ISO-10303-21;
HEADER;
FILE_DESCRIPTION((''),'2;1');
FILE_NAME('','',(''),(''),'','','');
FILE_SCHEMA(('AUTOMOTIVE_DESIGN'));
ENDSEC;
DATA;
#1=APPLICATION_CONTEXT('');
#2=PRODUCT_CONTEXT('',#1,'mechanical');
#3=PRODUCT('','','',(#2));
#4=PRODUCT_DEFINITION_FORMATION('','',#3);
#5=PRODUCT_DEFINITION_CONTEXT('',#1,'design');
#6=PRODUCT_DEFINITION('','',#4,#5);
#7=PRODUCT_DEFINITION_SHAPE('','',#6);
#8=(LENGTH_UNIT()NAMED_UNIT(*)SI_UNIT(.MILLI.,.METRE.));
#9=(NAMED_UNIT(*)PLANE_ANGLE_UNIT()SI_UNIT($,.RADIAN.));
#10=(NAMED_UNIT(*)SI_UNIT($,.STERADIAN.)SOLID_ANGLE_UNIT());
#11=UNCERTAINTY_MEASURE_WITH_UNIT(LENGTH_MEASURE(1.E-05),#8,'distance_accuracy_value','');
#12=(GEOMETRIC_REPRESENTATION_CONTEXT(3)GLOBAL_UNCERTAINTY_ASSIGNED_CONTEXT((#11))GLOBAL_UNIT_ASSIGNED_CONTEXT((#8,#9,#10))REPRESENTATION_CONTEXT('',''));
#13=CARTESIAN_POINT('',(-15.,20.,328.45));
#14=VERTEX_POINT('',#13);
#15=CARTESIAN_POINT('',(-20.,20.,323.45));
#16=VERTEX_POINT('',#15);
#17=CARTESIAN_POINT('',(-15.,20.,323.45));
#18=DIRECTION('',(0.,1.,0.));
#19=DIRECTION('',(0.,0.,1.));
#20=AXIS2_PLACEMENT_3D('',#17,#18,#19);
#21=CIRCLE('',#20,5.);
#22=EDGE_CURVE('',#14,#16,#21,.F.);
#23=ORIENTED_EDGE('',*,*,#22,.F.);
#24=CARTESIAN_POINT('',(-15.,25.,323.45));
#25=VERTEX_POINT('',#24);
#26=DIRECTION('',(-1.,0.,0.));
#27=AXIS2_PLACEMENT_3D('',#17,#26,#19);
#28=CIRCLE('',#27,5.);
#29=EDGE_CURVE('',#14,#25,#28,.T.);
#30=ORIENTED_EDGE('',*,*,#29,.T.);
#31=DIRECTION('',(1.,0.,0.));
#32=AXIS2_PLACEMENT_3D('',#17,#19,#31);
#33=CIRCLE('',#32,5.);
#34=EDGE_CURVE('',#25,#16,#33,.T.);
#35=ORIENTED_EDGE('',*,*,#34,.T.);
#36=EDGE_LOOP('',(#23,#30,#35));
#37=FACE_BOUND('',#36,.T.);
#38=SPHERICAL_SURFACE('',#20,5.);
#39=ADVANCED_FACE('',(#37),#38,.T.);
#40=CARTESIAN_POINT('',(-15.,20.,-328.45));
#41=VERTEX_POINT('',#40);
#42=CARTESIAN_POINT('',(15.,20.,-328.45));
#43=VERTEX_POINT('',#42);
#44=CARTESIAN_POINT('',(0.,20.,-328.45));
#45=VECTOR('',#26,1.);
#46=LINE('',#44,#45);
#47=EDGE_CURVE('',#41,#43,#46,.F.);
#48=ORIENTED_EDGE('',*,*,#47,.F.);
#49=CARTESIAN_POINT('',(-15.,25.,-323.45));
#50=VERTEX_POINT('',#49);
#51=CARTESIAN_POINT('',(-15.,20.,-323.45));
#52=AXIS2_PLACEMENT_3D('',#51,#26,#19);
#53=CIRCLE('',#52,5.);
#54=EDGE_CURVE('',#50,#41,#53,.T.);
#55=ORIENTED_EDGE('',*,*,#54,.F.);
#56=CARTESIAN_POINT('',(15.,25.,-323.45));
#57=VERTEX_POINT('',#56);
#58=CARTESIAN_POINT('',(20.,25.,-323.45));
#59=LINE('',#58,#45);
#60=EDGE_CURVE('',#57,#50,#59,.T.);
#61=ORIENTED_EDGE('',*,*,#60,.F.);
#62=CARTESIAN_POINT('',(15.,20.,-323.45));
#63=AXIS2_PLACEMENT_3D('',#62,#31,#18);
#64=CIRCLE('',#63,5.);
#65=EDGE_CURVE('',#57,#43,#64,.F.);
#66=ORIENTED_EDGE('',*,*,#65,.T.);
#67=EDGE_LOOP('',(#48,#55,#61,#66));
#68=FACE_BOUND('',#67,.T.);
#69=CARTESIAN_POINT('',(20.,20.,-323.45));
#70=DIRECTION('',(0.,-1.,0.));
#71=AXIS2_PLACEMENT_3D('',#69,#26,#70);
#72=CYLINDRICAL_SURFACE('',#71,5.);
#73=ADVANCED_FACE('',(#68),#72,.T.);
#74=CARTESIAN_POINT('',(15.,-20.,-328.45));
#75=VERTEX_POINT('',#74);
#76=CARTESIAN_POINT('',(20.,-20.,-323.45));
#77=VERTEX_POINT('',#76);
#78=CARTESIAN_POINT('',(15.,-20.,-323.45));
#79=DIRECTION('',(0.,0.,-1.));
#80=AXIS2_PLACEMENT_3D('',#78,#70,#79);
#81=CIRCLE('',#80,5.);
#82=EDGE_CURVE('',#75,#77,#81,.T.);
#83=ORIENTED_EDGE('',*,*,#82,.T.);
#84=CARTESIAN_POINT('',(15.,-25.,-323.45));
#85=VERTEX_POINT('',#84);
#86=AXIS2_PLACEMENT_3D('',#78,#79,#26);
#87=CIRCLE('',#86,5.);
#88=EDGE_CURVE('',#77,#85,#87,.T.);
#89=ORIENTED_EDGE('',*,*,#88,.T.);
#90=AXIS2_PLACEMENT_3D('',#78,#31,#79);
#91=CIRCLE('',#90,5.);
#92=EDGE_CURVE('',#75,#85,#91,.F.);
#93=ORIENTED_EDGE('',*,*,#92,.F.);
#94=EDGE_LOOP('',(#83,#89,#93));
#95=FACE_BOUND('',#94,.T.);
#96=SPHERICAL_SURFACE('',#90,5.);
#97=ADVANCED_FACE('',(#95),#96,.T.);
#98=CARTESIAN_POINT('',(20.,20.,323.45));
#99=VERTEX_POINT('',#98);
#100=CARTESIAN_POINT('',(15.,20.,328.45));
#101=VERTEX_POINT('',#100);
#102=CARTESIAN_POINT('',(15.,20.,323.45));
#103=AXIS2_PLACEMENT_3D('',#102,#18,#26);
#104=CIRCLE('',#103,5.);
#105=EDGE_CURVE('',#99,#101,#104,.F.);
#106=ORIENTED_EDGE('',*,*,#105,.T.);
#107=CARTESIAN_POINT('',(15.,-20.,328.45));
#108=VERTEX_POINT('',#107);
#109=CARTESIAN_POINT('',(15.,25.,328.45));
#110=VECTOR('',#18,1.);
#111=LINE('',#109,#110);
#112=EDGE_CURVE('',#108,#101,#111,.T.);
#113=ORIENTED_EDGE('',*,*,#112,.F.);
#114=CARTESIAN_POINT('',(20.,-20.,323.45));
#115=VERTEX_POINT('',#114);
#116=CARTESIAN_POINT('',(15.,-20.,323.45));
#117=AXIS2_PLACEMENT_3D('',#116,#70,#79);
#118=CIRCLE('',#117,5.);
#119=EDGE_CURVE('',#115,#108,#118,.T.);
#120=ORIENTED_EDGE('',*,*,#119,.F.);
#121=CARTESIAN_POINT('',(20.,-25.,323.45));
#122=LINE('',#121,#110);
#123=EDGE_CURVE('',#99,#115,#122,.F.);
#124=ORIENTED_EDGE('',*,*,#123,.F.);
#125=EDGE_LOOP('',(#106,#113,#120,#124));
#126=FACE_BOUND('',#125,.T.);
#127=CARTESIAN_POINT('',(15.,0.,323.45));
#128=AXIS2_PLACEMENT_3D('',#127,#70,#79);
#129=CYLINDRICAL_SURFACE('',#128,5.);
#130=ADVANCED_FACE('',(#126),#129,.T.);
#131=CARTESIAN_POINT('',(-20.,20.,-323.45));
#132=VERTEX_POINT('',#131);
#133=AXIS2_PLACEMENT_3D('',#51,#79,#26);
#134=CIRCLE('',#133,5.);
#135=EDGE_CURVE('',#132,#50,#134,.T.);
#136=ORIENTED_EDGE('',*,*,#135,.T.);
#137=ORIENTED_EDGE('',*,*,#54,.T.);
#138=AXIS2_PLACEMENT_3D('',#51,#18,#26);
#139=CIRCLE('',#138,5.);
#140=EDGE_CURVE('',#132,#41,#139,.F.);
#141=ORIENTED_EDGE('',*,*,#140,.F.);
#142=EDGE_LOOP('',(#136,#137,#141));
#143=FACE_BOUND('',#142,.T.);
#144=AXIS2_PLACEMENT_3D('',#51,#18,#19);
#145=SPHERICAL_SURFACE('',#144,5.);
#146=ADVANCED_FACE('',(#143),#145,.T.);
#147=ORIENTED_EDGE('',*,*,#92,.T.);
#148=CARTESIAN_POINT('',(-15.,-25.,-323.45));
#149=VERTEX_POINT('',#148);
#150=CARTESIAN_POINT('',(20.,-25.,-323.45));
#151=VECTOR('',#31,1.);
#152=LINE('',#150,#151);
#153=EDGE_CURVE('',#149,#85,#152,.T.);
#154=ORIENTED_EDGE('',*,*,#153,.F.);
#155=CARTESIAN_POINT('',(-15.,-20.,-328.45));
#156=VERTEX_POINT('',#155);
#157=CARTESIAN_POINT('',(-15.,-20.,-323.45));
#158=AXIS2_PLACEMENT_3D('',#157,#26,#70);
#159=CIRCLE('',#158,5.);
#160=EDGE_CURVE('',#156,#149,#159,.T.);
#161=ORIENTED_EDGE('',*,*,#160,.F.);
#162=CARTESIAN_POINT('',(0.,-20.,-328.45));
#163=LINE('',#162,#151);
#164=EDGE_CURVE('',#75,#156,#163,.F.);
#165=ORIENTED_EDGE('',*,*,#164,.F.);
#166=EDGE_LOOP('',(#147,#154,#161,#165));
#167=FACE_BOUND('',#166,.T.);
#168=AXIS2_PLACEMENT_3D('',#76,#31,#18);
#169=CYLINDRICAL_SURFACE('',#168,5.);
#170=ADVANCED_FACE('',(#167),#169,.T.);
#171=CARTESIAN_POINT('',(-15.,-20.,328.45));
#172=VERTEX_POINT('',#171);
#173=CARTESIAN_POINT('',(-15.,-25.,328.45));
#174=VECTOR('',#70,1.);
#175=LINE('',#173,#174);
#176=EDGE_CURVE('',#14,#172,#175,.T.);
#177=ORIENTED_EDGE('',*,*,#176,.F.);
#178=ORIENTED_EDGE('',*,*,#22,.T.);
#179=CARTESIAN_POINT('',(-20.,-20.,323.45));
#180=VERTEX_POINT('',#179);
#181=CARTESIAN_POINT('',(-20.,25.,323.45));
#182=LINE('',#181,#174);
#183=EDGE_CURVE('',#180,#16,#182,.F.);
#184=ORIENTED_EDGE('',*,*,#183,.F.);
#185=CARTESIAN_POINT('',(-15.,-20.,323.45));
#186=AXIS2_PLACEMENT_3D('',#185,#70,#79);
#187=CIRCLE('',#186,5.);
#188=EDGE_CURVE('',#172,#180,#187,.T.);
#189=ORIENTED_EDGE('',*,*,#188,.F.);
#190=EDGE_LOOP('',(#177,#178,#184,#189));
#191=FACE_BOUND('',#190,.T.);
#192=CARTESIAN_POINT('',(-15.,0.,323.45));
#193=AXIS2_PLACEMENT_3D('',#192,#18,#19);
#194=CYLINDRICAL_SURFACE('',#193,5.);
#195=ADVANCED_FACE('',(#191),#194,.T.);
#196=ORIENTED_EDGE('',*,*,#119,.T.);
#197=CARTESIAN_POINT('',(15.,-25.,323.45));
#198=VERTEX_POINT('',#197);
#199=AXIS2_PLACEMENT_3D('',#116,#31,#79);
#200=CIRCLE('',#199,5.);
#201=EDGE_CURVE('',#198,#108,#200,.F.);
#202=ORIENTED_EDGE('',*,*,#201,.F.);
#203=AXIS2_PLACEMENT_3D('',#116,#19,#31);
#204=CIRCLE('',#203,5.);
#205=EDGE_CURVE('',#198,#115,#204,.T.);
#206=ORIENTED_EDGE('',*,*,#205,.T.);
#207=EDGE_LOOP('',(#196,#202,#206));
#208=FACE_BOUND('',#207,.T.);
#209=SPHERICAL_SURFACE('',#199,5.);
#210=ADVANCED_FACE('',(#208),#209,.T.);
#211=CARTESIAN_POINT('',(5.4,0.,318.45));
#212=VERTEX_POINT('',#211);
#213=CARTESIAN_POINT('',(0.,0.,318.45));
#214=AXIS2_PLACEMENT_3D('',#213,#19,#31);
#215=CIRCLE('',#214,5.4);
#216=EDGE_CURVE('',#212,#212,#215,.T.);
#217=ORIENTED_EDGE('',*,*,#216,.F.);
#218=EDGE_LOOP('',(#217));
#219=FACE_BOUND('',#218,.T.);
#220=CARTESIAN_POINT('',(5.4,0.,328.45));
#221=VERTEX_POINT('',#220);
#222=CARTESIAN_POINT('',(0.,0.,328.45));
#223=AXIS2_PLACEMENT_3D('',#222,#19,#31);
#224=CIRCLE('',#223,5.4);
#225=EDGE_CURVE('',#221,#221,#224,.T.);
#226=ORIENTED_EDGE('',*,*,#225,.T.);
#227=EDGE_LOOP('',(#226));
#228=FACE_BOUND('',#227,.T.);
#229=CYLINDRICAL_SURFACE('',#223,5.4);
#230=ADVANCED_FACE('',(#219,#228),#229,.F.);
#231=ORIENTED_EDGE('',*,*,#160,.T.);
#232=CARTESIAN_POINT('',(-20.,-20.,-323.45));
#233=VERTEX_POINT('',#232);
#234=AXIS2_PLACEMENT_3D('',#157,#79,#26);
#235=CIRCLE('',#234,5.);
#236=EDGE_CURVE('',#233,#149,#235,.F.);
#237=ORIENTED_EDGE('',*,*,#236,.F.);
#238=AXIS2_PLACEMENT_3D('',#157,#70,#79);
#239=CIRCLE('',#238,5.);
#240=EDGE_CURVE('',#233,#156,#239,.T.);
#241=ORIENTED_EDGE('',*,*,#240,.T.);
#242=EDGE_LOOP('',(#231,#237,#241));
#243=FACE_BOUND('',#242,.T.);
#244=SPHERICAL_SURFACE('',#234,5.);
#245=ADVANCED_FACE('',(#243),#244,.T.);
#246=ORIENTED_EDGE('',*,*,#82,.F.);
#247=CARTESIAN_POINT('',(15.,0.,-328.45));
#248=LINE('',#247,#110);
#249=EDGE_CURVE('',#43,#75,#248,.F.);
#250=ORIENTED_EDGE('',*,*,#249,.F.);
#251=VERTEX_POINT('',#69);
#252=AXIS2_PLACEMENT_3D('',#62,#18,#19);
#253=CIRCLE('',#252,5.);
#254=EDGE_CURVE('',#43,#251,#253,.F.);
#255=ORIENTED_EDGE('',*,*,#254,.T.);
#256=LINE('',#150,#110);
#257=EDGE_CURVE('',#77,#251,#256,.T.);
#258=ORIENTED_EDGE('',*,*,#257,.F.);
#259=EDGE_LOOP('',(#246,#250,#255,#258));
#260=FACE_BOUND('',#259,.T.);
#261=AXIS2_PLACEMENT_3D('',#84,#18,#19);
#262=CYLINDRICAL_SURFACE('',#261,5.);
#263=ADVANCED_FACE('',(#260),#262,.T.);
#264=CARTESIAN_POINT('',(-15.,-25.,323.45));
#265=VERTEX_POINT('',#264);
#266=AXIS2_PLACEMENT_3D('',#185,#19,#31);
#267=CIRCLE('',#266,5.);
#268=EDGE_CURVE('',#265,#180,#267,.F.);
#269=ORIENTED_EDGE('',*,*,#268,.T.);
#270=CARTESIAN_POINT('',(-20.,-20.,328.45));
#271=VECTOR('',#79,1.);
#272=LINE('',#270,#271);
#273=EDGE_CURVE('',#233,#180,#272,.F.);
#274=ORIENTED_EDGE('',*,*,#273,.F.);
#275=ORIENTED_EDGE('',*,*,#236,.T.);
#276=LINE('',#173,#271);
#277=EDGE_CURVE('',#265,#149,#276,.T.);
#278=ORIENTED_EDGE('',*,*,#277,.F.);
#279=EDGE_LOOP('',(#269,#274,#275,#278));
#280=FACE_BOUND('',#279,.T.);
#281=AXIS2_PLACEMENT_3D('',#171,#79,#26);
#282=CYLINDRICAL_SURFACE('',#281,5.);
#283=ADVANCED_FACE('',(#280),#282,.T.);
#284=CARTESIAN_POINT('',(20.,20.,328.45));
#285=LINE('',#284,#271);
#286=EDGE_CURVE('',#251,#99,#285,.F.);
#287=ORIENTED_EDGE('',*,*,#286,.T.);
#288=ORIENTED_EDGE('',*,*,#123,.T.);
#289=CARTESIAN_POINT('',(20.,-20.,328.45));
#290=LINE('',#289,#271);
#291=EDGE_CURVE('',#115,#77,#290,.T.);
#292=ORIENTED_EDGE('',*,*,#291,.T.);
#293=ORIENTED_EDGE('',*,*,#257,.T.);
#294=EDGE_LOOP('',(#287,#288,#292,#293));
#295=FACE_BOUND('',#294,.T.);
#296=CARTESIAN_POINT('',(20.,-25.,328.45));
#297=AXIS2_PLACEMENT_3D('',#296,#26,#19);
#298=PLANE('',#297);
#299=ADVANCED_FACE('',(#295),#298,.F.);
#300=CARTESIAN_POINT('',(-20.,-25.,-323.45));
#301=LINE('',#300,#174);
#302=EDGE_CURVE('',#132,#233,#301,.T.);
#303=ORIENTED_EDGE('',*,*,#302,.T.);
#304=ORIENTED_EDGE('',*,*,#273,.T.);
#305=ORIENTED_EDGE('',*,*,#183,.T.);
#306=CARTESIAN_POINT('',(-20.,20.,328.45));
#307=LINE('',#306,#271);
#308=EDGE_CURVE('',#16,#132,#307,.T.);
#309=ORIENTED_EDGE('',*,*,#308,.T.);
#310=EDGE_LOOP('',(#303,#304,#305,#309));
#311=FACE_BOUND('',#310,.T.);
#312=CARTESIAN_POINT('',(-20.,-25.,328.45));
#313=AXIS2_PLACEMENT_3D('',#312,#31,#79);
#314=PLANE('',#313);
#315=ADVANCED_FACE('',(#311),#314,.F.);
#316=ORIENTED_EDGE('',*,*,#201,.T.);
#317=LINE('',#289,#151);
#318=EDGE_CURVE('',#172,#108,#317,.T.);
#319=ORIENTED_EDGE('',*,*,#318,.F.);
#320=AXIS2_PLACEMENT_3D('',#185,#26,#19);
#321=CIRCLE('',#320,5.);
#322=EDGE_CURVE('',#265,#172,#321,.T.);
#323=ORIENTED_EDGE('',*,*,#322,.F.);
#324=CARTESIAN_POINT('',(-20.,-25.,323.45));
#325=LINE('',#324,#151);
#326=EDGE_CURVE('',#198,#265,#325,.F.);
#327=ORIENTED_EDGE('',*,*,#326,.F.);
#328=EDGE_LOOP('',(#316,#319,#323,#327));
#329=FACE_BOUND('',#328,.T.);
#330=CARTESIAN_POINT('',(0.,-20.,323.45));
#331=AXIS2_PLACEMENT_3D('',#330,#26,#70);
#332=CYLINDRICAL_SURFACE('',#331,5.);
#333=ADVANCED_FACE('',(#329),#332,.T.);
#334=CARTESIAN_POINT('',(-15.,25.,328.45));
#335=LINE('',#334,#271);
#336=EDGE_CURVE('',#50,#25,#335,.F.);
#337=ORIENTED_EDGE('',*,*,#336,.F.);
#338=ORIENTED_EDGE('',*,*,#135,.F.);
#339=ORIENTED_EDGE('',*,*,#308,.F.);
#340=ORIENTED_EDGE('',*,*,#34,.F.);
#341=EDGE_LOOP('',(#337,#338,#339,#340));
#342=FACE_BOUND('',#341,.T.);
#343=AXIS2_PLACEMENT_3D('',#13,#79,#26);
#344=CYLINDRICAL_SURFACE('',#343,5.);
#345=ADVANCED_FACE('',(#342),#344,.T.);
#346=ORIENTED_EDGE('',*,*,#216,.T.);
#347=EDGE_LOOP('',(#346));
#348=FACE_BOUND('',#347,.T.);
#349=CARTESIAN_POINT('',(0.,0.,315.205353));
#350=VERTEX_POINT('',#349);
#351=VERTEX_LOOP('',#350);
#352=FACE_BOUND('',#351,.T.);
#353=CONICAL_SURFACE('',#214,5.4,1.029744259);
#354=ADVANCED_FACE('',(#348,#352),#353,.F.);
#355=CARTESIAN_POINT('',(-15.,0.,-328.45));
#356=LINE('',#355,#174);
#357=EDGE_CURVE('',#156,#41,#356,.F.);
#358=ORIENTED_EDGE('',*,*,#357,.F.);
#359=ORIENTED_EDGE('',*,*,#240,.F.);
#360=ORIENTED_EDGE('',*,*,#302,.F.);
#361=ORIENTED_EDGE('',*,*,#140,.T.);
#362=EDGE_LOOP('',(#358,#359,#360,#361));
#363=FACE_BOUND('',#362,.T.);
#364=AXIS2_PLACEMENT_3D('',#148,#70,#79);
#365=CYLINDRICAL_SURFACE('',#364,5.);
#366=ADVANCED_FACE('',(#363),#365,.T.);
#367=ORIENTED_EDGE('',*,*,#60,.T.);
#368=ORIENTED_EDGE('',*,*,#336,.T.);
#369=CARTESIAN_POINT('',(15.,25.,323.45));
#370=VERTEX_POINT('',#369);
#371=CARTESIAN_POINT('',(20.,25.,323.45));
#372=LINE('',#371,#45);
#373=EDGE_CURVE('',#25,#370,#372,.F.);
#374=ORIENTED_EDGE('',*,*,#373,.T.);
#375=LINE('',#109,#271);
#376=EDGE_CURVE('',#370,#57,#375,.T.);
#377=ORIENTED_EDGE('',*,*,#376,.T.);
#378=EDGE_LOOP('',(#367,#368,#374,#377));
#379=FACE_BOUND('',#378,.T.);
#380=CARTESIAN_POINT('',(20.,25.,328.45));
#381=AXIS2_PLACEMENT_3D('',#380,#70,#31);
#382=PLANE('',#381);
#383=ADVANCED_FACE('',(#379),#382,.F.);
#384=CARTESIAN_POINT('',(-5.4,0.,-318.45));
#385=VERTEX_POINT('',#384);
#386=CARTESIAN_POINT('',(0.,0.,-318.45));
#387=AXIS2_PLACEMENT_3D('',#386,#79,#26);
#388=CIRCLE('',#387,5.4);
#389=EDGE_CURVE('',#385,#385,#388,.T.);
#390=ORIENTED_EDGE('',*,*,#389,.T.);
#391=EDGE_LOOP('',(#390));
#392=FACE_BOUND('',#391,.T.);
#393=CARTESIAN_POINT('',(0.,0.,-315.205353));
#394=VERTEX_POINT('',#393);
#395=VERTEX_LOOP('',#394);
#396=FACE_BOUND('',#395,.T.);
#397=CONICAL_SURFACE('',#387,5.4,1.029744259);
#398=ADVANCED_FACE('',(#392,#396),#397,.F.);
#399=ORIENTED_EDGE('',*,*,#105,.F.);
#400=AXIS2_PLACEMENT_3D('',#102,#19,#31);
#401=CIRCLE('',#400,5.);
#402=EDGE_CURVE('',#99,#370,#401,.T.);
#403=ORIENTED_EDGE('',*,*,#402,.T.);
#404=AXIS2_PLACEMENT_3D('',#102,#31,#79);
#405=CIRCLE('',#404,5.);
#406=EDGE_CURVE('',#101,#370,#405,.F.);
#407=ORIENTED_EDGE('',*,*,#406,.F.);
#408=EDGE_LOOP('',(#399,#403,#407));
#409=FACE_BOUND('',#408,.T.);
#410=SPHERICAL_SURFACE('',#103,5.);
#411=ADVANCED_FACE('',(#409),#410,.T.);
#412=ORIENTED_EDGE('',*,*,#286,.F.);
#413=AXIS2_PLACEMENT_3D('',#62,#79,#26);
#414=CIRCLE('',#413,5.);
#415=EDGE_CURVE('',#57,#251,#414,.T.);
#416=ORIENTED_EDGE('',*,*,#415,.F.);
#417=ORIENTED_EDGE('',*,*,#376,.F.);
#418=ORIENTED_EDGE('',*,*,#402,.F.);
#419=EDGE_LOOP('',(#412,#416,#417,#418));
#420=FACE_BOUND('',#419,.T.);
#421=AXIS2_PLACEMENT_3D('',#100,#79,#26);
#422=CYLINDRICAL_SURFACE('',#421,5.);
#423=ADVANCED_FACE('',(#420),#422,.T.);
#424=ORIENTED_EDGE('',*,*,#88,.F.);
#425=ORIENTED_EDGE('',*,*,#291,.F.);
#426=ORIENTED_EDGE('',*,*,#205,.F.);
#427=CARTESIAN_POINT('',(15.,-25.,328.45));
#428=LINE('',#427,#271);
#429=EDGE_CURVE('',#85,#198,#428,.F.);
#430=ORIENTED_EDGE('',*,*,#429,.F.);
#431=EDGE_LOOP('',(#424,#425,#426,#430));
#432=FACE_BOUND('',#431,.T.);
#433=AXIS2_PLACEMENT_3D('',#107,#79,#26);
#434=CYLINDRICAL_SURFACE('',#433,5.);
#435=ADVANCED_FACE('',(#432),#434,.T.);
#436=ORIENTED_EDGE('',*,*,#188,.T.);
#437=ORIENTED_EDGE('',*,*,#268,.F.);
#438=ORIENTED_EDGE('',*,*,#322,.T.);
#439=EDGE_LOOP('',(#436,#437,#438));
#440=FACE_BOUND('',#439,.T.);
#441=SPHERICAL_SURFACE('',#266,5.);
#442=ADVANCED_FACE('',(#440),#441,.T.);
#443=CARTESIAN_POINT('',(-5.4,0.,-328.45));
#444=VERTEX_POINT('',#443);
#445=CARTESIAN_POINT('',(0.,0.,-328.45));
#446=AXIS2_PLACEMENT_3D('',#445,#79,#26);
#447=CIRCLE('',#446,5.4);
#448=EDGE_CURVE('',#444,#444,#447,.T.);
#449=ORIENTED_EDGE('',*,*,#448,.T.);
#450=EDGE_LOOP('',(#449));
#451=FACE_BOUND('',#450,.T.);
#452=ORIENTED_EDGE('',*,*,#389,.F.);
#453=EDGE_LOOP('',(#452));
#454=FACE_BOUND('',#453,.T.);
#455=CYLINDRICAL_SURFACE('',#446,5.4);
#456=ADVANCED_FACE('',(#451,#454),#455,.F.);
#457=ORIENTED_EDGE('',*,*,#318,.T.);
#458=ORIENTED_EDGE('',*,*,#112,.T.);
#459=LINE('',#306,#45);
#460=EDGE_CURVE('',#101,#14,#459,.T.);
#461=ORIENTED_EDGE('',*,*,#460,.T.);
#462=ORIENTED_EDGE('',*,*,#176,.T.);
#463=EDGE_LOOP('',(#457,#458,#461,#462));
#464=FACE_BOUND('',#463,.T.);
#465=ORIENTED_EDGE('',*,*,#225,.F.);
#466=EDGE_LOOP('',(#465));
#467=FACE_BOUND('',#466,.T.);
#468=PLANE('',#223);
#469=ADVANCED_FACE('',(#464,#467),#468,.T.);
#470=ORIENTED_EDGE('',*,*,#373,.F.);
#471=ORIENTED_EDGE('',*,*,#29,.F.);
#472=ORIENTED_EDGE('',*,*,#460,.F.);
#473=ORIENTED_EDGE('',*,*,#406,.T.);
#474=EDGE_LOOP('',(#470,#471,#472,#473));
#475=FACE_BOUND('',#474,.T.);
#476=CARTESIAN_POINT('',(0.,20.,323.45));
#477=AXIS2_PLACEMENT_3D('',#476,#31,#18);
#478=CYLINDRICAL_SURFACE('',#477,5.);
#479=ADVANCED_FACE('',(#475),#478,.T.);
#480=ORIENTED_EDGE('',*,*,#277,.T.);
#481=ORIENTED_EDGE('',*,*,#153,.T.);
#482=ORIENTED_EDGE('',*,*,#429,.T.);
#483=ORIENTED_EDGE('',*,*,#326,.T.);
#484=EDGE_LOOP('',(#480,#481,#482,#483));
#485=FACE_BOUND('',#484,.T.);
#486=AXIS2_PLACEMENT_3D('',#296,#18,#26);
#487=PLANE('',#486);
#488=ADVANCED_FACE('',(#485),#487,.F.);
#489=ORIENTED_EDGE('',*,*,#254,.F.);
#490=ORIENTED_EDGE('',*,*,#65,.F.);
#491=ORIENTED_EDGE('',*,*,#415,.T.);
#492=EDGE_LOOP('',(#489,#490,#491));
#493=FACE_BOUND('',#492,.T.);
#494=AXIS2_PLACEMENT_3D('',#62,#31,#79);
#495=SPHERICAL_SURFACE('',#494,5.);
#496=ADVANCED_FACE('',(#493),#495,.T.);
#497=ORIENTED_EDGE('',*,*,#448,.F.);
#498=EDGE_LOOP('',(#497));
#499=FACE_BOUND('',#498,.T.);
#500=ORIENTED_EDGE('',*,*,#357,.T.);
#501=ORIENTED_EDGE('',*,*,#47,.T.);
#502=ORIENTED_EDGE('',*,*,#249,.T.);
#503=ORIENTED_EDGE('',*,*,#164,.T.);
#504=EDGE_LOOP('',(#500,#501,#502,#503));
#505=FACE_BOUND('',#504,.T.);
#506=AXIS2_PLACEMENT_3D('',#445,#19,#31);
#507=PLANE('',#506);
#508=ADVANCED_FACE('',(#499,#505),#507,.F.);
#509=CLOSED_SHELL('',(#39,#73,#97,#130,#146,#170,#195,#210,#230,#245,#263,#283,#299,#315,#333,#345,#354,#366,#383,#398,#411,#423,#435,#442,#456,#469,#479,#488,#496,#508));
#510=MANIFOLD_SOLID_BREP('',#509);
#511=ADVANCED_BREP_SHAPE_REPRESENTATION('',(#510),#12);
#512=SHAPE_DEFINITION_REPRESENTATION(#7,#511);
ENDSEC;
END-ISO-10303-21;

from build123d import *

# Parameters (mm, degrees)
CROQUIS1_W              = 40
CROQUIS1_H              = 50
SALIENTE_EXTRUIR1_DEPTH = 328.45
REDONDEO1_R             = 5


with BuildPart() as part:
    # Croquis1 → Saliente-Extruir1 (new body, symmetric)
    with BuildSketch(Plane.XY):
        Rectangle(CROQUIS1_W, CROQUIS1_H)
    extrude(amount=SALIENTE_EXTRUIR1_DEPTH, both=True)

    # Redondeo1
    redondeo1_edges = [part.edges().sort_by_distance(p)[0] for p in [
        (20, 0, 328.45),
        (0, 25, 328.45),
        (-20, 0, 328.45),
        (0, 25, -328.45),
        (20, 0, -328.45),
        (0, -25, -328.45),
        (-20, 0, -328.45),
        (-20, 25, 0),
        (20, 25, 0),
        (20, -25, 0),
        (-20, -25, 0),
        (0, -25, 328.45),
    ]]
    fillet(redondeo1_edges, radius=REDONDEO1_R)

    # Croquis3 → Taladro roscado M12x1.251 (revolve, cut)
    with BuildSketch(Plane(origin=(0, 0, 328.45), x_dir=(0, -1, 0), z_dir=(1, 0, 0))):
        Polygon((0, 0), (0, 13.244647343), (5.4, 10), (5.4, 0), align=None)
    taladro_roscado_m12x1_251 = revolve(axis=Axis((0, 0, 334.8), (0, 0, -1)), mode=Mode.SUBTRACT)

    # Simetría1: Taladro roscado M12x1.251 across plane
    add(taladro_roscado_m12x1_251.mirror(Plane.XY), mode=Mode.SUBTRACT)


solid = part.part
